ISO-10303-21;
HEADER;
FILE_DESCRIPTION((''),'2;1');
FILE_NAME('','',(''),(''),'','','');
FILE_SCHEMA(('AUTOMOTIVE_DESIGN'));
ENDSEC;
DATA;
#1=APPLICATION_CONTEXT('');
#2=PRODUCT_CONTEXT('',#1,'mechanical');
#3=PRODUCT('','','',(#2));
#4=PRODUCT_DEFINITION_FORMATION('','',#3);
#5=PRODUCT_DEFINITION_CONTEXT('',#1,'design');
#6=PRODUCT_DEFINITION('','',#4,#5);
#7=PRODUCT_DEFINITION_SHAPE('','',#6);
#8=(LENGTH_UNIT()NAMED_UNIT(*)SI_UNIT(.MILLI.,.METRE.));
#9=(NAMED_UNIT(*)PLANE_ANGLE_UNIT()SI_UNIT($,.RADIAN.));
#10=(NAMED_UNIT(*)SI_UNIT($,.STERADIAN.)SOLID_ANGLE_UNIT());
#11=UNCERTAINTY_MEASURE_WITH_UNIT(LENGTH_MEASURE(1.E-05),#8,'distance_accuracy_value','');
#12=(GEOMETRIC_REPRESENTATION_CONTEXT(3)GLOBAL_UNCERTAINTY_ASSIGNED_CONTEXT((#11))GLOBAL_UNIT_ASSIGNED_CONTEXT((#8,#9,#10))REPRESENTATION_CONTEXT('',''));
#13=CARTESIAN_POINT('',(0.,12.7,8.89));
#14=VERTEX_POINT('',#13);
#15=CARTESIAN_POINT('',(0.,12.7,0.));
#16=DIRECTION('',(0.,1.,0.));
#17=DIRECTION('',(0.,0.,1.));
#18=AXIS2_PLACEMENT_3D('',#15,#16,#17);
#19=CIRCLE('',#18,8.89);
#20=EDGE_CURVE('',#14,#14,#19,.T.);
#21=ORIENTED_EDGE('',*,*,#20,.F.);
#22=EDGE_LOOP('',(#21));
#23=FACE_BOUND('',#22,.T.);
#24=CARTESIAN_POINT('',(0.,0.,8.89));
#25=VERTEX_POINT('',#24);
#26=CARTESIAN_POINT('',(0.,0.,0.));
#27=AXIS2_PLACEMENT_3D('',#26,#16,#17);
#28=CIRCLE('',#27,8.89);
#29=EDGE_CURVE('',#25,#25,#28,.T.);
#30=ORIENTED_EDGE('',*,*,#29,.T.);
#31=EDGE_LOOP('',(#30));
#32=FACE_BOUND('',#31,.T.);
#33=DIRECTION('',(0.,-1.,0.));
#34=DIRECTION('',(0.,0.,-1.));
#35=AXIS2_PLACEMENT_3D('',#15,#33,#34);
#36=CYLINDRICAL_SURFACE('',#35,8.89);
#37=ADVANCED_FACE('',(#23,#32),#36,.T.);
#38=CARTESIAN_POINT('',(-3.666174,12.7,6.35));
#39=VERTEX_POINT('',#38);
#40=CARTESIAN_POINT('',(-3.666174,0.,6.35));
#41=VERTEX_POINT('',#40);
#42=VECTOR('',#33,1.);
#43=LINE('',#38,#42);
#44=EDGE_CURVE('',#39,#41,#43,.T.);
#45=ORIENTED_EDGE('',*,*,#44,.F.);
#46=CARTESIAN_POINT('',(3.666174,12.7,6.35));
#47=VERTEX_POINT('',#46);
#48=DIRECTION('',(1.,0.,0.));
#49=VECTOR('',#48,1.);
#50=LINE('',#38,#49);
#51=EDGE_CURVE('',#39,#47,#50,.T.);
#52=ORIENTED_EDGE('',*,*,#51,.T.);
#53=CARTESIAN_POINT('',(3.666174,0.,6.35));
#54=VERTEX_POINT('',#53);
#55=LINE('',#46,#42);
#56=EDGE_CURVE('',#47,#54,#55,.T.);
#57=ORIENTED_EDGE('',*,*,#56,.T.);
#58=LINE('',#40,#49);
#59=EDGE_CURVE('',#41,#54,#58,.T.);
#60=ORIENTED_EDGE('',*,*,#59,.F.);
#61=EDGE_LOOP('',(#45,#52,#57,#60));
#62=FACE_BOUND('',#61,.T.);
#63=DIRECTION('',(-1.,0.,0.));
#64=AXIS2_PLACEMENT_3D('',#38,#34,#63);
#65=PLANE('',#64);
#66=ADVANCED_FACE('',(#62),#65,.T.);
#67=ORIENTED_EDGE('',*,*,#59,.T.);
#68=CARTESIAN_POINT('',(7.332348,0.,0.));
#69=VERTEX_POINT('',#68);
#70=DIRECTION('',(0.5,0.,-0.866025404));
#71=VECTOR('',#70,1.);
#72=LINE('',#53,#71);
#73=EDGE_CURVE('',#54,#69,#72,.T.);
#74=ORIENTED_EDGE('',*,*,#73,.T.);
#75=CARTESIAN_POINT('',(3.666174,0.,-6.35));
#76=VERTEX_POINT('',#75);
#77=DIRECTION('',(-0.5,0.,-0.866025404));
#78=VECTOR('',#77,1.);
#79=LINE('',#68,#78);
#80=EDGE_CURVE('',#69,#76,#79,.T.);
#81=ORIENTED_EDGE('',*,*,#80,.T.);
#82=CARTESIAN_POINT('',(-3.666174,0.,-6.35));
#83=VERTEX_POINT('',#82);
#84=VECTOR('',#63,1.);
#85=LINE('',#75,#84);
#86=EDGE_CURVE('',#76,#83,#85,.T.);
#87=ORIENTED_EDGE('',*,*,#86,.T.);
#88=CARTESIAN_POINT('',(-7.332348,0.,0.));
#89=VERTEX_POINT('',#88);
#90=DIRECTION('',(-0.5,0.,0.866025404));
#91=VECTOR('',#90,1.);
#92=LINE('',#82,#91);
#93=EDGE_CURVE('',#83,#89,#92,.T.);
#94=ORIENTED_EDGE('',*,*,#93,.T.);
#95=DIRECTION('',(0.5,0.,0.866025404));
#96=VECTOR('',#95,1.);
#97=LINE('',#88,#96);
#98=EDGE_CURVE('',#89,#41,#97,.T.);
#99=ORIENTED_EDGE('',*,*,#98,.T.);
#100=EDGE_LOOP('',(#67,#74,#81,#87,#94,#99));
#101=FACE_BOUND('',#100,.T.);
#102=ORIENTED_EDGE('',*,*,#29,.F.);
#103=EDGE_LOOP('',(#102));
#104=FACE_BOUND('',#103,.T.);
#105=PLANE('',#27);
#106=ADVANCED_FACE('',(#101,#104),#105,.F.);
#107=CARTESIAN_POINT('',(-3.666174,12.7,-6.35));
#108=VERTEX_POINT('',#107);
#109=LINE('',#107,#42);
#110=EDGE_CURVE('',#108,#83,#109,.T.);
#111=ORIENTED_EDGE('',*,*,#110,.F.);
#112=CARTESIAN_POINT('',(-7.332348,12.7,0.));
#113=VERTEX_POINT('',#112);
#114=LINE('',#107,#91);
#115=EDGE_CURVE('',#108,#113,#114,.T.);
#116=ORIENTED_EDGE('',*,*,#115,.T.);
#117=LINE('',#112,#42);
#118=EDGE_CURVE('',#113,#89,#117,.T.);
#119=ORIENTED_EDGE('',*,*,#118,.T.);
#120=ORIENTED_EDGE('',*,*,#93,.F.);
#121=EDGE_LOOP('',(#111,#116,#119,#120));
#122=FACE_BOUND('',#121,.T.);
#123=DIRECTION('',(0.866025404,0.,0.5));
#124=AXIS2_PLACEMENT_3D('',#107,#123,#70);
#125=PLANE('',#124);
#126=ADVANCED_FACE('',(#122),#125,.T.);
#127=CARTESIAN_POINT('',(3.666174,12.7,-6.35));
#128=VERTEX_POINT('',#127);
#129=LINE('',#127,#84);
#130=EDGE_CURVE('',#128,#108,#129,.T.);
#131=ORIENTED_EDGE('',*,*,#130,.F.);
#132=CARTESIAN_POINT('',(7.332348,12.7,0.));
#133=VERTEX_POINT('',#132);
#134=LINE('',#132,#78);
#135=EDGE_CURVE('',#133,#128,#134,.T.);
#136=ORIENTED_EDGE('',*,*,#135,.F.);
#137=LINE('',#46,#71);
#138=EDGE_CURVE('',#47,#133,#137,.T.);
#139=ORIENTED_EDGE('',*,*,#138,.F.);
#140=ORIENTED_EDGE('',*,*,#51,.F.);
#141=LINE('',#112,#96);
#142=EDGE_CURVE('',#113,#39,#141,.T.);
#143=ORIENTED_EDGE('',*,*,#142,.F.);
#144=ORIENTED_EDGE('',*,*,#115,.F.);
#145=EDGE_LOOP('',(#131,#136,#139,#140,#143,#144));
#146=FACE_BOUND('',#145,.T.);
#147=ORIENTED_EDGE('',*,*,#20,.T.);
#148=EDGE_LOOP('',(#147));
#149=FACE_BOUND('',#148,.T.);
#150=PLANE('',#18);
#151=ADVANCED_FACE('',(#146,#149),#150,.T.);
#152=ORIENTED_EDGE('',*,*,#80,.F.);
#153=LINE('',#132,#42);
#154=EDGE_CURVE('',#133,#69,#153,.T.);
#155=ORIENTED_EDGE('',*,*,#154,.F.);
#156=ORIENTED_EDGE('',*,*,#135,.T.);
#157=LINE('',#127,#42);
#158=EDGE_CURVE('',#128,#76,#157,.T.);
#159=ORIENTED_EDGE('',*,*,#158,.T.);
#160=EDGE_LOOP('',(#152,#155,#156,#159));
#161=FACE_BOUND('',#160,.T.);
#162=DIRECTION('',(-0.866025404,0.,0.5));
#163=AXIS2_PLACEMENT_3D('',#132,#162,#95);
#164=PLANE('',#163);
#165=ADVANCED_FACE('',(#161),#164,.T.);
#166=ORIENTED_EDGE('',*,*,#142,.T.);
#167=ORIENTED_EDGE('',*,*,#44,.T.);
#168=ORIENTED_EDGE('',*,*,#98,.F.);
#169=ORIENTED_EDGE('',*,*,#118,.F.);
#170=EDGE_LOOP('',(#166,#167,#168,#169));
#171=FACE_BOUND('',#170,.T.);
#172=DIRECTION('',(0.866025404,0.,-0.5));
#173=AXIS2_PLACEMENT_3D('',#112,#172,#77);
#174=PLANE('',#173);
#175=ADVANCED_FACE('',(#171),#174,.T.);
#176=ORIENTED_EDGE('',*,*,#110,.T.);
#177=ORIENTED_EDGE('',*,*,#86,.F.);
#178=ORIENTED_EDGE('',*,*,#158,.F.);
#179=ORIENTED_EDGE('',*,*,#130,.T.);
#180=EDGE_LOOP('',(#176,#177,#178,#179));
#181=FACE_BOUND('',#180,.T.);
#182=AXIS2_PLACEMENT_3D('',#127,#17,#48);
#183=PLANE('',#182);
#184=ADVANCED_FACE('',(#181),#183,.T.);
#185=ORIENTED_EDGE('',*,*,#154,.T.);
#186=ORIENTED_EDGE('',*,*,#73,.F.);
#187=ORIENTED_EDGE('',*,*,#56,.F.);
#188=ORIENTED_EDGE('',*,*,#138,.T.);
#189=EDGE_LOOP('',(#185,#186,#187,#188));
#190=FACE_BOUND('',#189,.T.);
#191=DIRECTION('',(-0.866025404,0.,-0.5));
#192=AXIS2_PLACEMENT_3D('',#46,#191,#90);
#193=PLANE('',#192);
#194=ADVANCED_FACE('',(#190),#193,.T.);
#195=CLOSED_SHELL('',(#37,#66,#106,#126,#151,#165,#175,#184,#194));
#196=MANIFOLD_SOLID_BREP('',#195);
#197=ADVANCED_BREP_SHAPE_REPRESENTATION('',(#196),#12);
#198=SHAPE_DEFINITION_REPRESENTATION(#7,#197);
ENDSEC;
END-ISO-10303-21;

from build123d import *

# Parameters (mm, degrees)
SKETCH1_R           = 8.89
BOSS_EXTRUDE1_DEPTH = 12.7


with BuildPart() as part:
    # Sketch1 → Boss-Extrude1 (new body)
    with BuildSketch(Plane(origin=(0, 0, 0), x_dir=(1, 0, 0), z_dir=(0, 1, 0))):
        Circle(SKETCH1_R)
        Polygon((7.332348419, 0), (3.666174209, 6.35), (-3.666174209, 6.35), (-7.332348419, 0), (-3.666174209, -6.35), (3.666174209, -6.35), align=None, mode=Mode.SUBTRACT)
    extrude(amount=BOSS_EXTRUDE1_DEPTH)


solid = part.part
